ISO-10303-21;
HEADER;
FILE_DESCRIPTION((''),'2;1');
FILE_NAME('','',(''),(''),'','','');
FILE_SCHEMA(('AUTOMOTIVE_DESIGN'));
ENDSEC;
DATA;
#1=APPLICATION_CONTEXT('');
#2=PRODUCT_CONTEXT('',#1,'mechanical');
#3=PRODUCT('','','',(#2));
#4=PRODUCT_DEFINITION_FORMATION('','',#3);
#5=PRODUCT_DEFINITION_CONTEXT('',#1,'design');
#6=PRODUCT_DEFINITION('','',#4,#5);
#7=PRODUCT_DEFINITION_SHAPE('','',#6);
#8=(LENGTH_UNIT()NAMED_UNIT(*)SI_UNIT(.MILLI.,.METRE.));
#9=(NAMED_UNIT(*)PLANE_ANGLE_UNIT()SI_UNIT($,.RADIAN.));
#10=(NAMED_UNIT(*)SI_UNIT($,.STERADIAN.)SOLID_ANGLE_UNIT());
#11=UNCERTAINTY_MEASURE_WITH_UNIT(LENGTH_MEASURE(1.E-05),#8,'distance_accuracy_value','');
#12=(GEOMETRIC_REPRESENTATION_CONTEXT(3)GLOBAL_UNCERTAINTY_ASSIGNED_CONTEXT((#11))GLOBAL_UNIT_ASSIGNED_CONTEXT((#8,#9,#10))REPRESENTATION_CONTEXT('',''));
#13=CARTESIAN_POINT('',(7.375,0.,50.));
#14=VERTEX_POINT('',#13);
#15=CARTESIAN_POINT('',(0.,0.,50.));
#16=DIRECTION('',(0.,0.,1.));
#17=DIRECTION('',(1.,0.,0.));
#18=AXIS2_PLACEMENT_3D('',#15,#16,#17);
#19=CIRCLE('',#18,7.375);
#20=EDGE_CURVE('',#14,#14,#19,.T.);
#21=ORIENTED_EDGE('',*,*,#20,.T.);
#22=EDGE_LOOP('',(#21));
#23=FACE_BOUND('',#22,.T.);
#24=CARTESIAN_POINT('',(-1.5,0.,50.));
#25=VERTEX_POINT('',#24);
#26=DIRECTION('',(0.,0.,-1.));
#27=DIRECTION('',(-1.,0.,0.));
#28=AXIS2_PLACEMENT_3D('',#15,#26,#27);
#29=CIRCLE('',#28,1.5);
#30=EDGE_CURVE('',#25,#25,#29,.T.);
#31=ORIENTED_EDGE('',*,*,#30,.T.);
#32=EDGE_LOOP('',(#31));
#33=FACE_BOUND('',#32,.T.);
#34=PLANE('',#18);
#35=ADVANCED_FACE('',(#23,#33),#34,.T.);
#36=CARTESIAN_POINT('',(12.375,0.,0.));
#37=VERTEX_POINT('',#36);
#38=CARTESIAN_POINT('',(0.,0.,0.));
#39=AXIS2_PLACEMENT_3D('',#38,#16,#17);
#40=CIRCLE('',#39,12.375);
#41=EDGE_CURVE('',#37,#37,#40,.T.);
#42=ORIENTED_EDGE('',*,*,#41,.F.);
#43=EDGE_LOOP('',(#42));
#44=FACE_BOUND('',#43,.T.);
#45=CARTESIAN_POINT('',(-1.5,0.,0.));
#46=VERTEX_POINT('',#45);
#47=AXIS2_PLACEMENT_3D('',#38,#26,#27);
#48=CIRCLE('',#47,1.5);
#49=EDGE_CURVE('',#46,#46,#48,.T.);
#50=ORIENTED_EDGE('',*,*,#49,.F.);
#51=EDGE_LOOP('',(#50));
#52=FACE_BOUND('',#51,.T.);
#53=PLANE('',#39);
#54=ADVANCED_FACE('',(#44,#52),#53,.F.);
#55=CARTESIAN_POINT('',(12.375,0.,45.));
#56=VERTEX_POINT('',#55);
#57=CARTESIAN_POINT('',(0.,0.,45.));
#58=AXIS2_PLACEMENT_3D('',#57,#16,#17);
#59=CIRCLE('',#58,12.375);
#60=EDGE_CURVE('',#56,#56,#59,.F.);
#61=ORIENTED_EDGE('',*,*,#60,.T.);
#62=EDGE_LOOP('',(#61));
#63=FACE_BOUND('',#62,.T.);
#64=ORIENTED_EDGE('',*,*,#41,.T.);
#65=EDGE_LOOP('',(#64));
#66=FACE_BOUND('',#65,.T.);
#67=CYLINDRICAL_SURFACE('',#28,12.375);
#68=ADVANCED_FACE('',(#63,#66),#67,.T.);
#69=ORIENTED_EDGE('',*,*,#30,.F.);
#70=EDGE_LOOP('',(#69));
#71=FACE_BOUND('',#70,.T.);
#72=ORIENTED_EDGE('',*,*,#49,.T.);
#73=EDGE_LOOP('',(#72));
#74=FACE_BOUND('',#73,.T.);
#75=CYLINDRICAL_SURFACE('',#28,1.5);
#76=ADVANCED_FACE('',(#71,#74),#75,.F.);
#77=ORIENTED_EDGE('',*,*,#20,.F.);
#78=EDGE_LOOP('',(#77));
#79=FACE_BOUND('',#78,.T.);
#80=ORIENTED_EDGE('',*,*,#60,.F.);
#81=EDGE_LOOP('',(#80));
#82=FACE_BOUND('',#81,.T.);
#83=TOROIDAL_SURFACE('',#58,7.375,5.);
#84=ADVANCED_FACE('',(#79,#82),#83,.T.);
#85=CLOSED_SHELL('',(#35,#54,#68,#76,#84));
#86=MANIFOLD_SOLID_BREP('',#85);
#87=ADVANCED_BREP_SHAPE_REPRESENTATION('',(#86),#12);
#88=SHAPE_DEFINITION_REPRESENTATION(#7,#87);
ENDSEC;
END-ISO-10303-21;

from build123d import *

# Parameters (mm, degrees)
ESQUISSE1_R             = 12.375
BOSS_EXTRU_1_DEPTH      = 50
CONG_2_R                = 5
ESQUISSE2_R             = 1.5
ENL_V_MAT_EXTRU_1_DEPTH = 51


with BuildPart() as part:
    # Esquisse1 → Boss.-Extru.1 (new body)
    with BuildSketch(Plane.XY):
        Circle(ESQUISSE1_R)
    extrude(amount=BOSS_EXTRU_1_DEPTH)

    # Congé2
    cong_2_edges = [part.edges().sort_by_distance(p)[0] for p in [
        (-12.375, 0, 50),
    ]]
    fillet(cong_2_edges, radius=CONG_2_R)

    # Esquisse2 → Enlèv. mat.-Extru.1 (cut, through all)
    with BuildSketch(Plane(origin=(0, 0, 0), x_dir=(-1, 0, 0), z_dir=(0, 0, -1))):
        Circle(ESQUISSE2_R)
    extrude(amount=-ENL_V_MAT_EXTRU_1_DEPTH, mode=Mode.SUBTRACT)


solid = part.part
